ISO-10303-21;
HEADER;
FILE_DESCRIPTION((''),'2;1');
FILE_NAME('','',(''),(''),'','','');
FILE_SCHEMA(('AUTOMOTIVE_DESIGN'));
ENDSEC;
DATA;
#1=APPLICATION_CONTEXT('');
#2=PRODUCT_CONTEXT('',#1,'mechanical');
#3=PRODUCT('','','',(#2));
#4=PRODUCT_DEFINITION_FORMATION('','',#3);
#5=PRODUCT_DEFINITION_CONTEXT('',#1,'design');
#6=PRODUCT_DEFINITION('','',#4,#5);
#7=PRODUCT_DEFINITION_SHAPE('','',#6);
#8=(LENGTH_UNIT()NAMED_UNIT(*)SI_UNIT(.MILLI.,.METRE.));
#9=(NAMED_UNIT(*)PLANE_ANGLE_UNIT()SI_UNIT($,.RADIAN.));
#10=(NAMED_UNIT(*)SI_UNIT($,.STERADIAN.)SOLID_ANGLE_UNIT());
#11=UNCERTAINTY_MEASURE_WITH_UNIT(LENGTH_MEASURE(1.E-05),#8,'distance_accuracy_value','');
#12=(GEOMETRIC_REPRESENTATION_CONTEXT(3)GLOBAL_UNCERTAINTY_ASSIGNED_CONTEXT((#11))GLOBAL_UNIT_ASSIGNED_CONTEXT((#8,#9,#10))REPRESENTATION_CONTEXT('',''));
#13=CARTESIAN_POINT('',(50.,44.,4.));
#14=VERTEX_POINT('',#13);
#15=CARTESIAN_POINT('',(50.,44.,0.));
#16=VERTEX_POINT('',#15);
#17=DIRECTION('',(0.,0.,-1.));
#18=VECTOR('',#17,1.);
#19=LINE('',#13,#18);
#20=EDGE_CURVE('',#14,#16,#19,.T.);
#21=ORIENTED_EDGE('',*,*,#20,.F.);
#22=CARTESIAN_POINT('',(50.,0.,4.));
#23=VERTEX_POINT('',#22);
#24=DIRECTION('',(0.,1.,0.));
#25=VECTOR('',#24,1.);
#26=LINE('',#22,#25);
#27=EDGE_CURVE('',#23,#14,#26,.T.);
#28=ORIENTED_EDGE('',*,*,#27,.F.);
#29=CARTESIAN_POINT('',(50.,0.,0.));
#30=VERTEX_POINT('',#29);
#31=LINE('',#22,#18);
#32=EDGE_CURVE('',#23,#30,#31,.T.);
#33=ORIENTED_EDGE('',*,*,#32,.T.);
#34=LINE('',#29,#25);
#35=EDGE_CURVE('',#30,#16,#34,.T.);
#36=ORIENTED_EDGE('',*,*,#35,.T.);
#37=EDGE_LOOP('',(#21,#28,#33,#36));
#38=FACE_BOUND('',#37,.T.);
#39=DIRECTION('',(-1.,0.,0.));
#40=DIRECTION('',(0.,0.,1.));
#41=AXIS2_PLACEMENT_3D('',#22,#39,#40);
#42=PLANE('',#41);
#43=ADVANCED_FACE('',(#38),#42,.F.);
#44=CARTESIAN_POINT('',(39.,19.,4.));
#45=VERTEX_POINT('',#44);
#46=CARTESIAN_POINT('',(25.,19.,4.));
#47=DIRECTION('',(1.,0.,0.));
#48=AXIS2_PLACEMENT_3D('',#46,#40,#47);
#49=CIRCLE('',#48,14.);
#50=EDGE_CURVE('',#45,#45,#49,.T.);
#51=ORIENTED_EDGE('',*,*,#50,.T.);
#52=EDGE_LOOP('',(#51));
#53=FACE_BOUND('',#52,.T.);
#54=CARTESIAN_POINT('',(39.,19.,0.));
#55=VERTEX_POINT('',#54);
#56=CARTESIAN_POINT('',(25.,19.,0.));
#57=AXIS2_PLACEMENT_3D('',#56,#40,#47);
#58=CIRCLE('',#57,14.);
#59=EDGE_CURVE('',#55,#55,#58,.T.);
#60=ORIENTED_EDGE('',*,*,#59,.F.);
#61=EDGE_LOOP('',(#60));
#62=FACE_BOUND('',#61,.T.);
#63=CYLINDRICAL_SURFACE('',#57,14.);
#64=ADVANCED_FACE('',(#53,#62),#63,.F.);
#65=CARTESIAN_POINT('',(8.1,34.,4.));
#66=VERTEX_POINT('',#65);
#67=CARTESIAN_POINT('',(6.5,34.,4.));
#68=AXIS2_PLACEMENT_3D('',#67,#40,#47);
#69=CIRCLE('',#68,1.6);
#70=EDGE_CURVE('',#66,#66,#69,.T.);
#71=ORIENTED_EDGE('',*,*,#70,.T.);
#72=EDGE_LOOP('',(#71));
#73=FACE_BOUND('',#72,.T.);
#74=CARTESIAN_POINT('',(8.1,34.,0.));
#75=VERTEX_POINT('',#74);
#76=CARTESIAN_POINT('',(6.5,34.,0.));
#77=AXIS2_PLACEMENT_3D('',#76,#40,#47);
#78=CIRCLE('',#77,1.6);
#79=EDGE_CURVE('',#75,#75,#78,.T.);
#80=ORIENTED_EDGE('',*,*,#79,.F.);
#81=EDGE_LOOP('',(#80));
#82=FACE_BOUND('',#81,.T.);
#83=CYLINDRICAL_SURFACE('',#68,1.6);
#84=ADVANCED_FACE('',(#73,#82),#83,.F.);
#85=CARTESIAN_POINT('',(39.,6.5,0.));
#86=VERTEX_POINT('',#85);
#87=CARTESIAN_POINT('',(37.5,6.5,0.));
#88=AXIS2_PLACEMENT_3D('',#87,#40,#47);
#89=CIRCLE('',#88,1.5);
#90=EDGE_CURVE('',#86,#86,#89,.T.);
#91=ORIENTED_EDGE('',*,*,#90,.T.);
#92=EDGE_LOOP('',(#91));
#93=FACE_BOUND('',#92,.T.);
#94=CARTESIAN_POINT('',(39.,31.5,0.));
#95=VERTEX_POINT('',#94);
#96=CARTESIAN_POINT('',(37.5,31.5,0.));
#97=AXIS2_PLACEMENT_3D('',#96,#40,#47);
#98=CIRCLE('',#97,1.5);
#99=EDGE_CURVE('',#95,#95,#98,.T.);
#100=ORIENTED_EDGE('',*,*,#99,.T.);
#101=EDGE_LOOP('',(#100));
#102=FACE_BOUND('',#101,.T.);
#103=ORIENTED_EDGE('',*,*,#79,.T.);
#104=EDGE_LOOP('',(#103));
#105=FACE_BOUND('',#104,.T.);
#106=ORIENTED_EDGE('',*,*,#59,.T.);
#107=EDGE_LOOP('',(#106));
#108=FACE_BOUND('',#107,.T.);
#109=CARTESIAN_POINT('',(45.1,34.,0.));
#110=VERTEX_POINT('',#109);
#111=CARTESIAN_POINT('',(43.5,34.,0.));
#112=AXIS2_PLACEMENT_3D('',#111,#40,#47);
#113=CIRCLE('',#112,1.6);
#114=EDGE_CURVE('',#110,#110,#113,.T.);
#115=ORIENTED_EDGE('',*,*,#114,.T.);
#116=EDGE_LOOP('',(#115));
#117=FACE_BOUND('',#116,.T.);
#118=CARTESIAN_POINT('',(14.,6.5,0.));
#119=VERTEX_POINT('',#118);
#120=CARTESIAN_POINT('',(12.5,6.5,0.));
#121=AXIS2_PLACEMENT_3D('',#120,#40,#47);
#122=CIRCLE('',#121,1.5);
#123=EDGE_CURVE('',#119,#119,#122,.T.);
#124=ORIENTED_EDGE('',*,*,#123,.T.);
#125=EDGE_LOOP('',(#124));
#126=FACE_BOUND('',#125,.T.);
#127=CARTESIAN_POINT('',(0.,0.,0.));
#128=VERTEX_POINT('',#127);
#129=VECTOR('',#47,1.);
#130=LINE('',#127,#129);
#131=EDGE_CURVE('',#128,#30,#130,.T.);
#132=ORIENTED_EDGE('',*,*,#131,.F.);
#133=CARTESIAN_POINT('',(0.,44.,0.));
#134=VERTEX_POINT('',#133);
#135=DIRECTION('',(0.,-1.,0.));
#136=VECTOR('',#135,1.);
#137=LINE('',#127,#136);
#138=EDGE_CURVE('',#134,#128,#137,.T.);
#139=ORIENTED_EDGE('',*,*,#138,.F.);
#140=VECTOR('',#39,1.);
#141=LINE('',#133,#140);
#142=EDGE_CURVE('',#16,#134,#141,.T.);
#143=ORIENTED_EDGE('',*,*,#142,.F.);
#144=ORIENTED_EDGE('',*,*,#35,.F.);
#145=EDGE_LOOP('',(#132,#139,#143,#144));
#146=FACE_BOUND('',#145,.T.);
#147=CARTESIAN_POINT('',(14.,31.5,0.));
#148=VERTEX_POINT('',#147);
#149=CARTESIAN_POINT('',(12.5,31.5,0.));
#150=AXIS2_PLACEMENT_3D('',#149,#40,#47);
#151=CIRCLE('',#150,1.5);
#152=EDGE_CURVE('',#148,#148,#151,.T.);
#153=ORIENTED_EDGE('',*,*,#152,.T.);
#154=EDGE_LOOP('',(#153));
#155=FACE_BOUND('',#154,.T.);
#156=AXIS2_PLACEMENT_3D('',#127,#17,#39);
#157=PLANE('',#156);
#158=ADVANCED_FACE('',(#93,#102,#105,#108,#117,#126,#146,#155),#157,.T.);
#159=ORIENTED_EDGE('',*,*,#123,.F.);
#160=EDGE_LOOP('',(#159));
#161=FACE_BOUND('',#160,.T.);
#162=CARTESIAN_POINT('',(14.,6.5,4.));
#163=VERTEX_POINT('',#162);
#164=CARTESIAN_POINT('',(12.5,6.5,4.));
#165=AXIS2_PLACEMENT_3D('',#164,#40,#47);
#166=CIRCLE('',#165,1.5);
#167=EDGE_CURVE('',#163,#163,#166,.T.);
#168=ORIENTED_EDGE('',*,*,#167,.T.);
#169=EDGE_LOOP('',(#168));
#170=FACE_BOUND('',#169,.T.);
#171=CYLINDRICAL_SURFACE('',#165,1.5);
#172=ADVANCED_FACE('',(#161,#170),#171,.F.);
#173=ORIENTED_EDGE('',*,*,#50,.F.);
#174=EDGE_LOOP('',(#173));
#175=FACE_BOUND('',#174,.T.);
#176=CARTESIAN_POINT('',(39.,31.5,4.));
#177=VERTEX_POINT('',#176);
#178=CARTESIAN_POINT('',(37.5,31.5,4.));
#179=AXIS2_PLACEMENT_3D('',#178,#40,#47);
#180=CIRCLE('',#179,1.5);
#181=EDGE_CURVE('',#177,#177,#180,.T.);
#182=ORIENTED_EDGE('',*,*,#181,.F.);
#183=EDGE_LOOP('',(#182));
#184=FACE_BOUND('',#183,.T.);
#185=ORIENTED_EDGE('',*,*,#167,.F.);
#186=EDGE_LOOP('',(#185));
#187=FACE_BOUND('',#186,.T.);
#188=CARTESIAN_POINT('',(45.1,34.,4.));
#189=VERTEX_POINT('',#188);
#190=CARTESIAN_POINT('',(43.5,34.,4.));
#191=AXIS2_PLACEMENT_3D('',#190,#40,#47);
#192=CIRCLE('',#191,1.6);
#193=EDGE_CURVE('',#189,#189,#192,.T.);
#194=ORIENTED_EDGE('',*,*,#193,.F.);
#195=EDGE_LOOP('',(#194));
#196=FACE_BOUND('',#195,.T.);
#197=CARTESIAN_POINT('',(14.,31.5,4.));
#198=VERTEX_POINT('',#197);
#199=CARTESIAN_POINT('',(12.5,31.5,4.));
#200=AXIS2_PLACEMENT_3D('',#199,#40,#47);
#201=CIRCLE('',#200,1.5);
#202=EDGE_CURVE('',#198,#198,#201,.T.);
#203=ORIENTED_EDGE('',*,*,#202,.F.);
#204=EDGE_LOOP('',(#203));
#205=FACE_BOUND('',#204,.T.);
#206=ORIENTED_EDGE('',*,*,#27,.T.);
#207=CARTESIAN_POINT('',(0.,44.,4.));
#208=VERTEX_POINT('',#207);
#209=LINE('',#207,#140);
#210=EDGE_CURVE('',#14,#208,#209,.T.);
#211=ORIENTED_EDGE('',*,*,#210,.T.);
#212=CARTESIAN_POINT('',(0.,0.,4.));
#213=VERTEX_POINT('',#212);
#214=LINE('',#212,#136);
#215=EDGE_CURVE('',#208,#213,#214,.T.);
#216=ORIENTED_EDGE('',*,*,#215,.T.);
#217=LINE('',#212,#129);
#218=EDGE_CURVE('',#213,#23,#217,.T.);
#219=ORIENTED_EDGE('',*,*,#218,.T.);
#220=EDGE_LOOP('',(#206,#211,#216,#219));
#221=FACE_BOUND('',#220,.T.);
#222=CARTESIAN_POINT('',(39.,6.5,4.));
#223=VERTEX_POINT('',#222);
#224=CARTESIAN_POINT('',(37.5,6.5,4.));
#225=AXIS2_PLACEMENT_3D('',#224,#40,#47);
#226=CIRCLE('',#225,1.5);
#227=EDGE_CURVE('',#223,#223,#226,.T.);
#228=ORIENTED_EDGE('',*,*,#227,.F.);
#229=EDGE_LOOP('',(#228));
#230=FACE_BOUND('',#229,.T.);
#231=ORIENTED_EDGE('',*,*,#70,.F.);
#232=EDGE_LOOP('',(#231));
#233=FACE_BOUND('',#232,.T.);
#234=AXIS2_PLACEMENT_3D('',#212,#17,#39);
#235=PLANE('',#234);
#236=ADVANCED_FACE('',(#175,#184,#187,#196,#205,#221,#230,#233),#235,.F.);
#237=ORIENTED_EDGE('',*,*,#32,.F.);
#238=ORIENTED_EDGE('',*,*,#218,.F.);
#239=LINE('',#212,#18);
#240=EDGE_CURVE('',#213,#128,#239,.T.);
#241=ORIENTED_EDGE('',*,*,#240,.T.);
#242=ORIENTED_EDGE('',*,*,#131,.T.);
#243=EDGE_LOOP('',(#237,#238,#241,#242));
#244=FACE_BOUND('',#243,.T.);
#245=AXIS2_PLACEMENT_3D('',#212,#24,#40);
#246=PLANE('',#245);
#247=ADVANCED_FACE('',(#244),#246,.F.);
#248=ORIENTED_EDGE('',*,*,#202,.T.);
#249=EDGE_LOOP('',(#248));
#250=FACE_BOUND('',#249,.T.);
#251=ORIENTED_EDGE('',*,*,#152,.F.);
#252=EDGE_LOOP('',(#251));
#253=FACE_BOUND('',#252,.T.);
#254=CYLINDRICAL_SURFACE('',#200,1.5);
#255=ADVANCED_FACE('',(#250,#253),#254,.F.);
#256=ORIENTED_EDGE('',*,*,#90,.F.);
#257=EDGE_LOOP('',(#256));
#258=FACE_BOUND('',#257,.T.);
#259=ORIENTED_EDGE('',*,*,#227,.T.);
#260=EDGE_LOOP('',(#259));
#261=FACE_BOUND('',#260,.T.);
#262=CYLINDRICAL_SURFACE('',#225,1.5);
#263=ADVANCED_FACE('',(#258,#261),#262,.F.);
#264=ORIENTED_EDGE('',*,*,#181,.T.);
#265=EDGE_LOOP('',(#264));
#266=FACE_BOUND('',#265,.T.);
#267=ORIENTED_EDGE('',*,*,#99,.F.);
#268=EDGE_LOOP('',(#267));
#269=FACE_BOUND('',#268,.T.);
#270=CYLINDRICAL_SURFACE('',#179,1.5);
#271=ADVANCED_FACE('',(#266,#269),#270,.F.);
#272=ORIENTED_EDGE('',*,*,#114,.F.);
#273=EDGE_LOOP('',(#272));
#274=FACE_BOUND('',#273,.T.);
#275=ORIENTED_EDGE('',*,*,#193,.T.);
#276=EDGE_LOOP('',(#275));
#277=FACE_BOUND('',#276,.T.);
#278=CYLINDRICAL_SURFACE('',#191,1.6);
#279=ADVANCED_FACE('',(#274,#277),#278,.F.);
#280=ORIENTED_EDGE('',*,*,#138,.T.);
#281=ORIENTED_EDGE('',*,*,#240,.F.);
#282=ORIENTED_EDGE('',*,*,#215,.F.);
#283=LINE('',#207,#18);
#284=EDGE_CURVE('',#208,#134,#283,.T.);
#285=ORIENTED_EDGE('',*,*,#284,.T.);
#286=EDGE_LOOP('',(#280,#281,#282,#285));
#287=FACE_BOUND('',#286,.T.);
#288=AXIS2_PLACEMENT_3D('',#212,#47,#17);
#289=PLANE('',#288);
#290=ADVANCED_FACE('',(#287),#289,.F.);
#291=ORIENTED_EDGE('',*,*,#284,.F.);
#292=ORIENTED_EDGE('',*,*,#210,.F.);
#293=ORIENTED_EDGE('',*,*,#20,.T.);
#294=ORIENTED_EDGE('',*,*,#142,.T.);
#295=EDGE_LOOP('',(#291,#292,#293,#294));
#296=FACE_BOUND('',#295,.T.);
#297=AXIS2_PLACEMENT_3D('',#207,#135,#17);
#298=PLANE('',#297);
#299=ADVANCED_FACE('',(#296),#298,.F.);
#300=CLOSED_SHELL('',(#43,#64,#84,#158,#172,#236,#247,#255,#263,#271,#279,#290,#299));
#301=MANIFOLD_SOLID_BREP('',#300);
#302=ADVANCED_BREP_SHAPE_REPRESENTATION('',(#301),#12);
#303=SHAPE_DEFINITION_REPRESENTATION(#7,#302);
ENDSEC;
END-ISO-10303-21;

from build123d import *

# Parameters (mm, degrees)
SKETCH1_W             = 50
SKETCH1_H             = 44
BOSS_EXTRUDE1_DEPTH   = 4
F_3_0MM_DOWEL_HOLE1_D = 3.2
SKETCH4_R             = 14
CUT_EXTRUDE1_DEPTH    = 4
F_3_0MM_DOWEL_HOLE2_D = 3


with BuildPart() as part:
    # Sketch1 → Boss-Extrude1 (new body)
    with BuildSketch(Plane.XY):
        with Locations((25, 22)):
            Rectangle(SKETCH1_W, SKETCH1_H)
    extrude(amount=BOSS_EXTRUDE1_DEPTH)

    # Ø3.0mm Dowel Hole1 (through all)
    with Locations(Plane.XY.offset(4)):
        with Locations((6.5, 34), (43.5, 34)):
            Hole(F_3_0MM_DOWEL_HOLE1_D / 2)

    # Sketch4 → Cut-Extrude1 (cut)
    with BuildSketch(Plane.XY.offset(4)):
        with Locations((25, 19)):
            Circle(SKETCH4_R)
    extrude(amount=-CUT_EXTRUDE1_DEPTH, mode=Mode.SUBTRACT)

    # Ø3.0mm Dowel Hole2 (through all)
    with Locations(Plane.XY.offset(4)):
        with Locations((12.5, 31.5), (25, 19), (37.5, 31.5), (37.5, 6.5), (12.5, 6.5)):
            Hole(F_3_0MM_DOWEL_HOLE2_D / 2)


solid = part.part
